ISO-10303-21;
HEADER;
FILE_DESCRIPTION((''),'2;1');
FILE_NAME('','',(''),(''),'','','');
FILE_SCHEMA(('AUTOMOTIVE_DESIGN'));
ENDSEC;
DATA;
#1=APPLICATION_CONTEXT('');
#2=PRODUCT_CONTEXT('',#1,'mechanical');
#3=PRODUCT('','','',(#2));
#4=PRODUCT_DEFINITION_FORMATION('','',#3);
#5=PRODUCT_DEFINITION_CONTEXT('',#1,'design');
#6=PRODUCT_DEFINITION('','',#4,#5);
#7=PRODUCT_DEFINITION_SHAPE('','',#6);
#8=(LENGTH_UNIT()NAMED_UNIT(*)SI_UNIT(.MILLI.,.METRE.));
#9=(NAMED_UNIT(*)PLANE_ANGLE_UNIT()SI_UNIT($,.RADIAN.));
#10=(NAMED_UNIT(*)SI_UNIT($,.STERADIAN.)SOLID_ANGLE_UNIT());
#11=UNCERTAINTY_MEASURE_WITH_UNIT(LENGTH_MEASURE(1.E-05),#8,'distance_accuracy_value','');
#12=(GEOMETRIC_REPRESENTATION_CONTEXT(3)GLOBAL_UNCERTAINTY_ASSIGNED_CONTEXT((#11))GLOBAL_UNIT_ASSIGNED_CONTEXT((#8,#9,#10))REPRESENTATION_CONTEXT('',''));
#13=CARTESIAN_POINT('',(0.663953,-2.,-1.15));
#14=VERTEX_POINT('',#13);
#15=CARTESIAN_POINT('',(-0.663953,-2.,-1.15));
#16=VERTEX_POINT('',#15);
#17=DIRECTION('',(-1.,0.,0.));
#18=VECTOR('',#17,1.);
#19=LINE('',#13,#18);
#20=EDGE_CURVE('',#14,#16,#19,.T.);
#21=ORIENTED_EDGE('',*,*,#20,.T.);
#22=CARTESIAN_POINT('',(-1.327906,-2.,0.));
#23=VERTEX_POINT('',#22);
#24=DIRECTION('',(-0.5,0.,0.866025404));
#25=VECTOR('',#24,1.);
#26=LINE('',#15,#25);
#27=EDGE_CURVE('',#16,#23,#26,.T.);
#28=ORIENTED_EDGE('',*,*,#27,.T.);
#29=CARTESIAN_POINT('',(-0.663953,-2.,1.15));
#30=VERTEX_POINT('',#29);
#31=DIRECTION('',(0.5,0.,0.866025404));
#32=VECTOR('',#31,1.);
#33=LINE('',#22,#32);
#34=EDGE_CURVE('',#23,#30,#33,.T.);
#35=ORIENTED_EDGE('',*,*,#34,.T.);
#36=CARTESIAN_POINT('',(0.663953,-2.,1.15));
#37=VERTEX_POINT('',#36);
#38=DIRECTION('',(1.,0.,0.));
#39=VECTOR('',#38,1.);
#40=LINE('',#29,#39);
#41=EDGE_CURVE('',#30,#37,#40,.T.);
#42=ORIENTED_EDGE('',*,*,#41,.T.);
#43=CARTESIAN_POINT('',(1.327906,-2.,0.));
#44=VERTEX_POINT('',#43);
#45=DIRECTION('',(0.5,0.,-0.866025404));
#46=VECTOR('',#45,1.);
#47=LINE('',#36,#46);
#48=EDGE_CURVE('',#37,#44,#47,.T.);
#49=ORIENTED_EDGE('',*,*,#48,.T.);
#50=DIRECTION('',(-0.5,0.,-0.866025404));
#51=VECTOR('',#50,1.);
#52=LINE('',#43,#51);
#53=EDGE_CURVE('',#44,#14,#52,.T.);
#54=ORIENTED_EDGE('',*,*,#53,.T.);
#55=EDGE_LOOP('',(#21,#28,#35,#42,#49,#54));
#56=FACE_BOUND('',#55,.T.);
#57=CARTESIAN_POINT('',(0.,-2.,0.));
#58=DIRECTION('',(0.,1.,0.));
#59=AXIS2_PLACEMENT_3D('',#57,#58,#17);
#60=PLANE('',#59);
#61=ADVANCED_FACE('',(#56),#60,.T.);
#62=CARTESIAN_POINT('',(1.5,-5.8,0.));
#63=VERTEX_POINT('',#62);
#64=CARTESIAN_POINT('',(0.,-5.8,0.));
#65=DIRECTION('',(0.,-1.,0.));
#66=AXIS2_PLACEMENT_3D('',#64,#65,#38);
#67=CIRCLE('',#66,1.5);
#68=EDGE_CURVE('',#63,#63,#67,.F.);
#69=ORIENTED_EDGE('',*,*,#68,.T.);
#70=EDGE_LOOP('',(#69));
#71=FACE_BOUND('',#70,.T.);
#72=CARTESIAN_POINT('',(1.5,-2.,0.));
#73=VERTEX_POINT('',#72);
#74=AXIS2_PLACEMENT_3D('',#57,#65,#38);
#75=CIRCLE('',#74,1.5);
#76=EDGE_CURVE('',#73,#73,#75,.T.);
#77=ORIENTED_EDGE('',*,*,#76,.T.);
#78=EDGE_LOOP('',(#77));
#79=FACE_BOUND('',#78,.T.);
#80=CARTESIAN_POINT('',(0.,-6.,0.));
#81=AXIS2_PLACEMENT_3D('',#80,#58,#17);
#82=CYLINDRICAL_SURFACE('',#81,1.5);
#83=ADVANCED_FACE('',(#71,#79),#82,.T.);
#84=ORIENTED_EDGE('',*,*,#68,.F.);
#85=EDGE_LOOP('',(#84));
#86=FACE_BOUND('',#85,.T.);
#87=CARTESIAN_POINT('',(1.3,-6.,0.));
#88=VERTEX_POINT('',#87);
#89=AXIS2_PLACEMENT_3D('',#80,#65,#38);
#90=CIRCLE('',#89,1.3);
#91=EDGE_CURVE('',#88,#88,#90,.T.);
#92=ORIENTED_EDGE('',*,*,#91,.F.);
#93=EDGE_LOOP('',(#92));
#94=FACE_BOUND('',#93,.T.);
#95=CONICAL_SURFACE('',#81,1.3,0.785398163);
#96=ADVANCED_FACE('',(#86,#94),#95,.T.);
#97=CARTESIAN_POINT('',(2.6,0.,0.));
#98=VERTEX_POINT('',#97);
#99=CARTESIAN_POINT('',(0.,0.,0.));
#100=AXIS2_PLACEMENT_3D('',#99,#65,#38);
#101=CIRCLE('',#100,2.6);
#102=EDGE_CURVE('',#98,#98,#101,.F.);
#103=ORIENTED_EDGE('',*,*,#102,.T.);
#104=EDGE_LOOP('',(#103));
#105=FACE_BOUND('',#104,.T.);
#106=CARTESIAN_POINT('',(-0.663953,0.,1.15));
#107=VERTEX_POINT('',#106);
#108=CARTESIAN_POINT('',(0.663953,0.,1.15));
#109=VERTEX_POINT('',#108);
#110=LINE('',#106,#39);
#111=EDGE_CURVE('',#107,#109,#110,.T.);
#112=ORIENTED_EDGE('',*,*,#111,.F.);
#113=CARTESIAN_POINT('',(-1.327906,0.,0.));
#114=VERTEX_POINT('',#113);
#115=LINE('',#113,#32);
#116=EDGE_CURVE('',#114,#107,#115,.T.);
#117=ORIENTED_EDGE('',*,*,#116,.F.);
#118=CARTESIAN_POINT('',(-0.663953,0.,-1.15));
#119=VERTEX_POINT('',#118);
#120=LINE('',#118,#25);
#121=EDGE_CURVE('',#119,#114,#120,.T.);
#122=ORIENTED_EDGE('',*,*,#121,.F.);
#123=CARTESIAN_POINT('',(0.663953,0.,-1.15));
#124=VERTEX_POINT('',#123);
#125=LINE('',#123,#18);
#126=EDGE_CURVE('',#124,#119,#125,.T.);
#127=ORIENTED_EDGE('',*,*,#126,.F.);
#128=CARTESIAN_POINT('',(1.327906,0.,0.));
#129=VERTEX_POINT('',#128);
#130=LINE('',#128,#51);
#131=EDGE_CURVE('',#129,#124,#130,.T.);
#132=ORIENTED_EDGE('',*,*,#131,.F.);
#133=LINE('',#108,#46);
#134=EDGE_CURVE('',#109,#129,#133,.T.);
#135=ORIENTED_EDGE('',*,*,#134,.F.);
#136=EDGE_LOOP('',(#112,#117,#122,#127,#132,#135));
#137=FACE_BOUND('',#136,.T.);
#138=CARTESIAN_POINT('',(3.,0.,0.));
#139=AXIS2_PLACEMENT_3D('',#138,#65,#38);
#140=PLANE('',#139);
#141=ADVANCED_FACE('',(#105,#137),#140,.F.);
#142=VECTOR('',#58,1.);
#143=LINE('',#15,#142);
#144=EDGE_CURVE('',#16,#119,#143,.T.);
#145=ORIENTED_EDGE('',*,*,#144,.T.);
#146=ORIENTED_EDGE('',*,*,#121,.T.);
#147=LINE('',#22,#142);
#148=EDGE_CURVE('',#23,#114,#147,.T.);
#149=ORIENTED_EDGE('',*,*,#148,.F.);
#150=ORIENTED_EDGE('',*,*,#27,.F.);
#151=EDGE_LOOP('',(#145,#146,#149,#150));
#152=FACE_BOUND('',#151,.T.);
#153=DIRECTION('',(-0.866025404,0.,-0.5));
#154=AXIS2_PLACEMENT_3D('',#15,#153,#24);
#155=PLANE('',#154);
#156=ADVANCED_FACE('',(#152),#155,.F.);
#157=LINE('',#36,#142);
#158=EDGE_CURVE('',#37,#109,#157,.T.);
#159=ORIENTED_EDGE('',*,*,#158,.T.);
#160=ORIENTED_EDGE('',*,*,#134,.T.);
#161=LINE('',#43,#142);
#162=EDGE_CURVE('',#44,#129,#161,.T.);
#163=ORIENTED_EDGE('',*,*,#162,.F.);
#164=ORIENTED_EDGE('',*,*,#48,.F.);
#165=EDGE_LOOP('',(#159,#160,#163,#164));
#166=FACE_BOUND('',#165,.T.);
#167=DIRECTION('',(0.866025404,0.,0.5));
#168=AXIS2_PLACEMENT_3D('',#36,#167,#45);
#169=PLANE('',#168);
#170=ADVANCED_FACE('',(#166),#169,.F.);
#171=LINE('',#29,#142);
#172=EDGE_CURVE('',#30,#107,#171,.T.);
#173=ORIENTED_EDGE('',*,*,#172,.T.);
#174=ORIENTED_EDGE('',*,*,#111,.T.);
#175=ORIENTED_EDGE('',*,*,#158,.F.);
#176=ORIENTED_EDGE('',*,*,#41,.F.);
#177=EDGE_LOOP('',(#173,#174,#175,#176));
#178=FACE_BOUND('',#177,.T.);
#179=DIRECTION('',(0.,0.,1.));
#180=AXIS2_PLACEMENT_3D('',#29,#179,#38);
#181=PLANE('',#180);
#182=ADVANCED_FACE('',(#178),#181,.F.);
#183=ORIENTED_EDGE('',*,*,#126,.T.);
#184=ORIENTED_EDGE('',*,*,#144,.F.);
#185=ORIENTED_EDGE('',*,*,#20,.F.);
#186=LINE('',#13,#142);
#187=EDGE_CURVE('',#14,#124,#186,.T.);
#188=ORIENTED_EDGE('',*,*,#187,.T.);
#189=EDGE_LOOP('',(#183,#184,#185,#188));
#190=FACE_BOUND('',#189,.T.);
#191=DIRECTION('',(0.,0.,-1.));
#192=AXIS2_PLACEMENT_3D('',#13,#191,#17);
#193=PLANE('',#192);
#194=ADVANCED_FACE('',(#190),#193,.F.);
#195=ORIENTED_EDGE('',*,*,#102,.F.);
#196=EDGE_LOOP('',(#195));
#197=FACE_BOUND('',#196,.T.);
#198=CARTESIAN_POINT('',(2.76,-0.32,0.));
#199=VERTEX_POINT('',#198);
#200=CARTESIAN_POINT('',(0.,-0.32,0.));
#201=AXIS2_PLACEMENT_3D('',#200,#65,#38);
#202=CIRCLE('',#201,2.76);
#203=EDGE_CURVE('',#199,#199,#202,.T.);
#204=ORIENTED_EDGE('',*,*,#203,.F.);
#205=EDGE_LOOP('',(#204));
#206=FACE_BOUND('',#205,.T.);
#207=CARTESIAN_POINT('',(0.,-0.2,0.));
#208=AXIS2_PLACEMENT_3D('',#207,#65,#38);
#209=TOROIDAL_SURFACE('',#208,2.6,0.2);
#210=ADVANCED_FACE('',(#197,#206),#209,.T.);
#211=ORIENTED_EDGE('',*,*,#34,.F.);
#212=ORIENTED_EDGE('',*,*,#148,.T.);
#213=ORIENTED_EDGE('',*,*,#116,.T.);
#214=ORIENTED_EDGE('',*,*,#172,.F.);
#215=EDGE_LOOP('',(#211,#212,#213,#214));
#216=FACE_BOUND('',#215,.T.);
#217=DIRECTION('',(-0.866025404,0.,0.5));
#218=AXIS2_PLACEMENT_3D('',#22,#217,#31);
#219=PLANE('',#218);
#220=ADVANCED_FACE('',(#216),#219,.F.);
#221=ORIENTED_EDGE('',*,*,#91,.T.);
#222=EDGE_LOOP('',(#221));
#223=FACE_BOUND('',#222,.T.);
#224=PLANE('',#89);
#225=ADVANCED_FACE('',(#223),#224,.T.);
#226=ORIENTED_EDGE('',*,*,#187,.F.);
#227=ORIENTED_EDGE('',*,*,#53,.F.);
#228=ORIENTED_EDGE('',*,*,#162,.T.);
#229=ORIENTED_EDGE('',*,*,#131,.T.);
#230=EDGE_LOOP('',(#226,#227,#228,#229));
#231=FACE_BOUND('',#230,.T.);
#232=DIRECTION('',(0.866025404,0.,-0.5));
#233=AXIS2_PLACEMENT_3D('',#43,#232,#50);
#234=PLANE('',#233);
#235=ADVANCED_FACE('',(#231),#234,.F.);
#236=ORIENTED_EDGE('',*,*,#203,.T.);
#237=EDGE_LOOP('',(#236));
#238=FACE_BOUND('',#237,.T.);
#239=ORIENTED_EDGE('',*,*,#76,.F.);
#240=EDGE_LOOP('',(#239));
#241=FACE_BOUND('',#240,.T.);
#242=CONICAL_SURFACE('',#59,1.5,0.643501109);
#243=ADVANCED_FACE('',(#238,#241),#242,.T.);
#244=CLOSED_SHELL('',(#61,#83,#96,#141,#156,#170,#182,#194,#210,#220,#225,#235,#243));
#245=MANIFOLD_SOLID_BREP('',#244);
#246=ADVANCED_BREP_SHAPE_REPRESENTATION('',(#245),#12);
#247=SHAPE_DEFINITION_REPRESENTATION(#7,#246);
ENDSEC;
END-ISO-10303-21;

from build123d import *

# Parameters (mm, degrees)
SKETCH_2_R          = 1.5
EXTRUDE_1_DEPTH     = 4
CUT_EXTRUDE_1_DEPTH = 2
CHAMFER_1_SIZE      = 0.2
FILLET_1_R          = 0.2


with BuildPart() as part:
    # 草图1 → 旋转1 (revolve)
    with BuildSketch(Plane.XY):
        Polygon((0, 0), (0, -2), (1.5, -2), (3, 0), align=None)
    revolve(axis=Axis((0, 0, 0), (0, -1, 0)))

    # 草图2 → 凸台-拉伸1 (add)
    with BuildSketch(Plane.XZ.offset(2)):
        Circle(SKETCH_2_R)
    extrude(amount=EXTRUDE_1_DEPTH)

    # 草图3 → 切除-拉伸1 (cut)
    with BuildSketch(Plane(origin=(0, 0, 0), x_dir=(1, 0, 0), z_dir=(0, 1, 0))):
        Polygon((-1.327905619, 0), (-0.66395281, -1.15), (0.66395281, -1.15), (1.327905619, 0), (0.66395281, 1.15), (-0.66395281, 1.15), align=None)
    extrude(amount=-CUT_EXTRUDE_1_DEPTH, mode=Mode.SUBTRACT)

    # 倒角1
    chamfer_1_edges = [part.edges().sort_by_distance(p)[0] for p in [
        (-1.5, -6, 0),
    ]]
    chamfer(chamfer_1_edges, length=CHAMFER_1_SIZE)

    # 圆角1
    fillet_1_edges = [part.edges().sort_by_distance(p)[0] for p in [
        (-3, 0, 0),
    ]]
    fillet(fillet_1_edges, radius=FILLET_1_R)


solid = part.part
